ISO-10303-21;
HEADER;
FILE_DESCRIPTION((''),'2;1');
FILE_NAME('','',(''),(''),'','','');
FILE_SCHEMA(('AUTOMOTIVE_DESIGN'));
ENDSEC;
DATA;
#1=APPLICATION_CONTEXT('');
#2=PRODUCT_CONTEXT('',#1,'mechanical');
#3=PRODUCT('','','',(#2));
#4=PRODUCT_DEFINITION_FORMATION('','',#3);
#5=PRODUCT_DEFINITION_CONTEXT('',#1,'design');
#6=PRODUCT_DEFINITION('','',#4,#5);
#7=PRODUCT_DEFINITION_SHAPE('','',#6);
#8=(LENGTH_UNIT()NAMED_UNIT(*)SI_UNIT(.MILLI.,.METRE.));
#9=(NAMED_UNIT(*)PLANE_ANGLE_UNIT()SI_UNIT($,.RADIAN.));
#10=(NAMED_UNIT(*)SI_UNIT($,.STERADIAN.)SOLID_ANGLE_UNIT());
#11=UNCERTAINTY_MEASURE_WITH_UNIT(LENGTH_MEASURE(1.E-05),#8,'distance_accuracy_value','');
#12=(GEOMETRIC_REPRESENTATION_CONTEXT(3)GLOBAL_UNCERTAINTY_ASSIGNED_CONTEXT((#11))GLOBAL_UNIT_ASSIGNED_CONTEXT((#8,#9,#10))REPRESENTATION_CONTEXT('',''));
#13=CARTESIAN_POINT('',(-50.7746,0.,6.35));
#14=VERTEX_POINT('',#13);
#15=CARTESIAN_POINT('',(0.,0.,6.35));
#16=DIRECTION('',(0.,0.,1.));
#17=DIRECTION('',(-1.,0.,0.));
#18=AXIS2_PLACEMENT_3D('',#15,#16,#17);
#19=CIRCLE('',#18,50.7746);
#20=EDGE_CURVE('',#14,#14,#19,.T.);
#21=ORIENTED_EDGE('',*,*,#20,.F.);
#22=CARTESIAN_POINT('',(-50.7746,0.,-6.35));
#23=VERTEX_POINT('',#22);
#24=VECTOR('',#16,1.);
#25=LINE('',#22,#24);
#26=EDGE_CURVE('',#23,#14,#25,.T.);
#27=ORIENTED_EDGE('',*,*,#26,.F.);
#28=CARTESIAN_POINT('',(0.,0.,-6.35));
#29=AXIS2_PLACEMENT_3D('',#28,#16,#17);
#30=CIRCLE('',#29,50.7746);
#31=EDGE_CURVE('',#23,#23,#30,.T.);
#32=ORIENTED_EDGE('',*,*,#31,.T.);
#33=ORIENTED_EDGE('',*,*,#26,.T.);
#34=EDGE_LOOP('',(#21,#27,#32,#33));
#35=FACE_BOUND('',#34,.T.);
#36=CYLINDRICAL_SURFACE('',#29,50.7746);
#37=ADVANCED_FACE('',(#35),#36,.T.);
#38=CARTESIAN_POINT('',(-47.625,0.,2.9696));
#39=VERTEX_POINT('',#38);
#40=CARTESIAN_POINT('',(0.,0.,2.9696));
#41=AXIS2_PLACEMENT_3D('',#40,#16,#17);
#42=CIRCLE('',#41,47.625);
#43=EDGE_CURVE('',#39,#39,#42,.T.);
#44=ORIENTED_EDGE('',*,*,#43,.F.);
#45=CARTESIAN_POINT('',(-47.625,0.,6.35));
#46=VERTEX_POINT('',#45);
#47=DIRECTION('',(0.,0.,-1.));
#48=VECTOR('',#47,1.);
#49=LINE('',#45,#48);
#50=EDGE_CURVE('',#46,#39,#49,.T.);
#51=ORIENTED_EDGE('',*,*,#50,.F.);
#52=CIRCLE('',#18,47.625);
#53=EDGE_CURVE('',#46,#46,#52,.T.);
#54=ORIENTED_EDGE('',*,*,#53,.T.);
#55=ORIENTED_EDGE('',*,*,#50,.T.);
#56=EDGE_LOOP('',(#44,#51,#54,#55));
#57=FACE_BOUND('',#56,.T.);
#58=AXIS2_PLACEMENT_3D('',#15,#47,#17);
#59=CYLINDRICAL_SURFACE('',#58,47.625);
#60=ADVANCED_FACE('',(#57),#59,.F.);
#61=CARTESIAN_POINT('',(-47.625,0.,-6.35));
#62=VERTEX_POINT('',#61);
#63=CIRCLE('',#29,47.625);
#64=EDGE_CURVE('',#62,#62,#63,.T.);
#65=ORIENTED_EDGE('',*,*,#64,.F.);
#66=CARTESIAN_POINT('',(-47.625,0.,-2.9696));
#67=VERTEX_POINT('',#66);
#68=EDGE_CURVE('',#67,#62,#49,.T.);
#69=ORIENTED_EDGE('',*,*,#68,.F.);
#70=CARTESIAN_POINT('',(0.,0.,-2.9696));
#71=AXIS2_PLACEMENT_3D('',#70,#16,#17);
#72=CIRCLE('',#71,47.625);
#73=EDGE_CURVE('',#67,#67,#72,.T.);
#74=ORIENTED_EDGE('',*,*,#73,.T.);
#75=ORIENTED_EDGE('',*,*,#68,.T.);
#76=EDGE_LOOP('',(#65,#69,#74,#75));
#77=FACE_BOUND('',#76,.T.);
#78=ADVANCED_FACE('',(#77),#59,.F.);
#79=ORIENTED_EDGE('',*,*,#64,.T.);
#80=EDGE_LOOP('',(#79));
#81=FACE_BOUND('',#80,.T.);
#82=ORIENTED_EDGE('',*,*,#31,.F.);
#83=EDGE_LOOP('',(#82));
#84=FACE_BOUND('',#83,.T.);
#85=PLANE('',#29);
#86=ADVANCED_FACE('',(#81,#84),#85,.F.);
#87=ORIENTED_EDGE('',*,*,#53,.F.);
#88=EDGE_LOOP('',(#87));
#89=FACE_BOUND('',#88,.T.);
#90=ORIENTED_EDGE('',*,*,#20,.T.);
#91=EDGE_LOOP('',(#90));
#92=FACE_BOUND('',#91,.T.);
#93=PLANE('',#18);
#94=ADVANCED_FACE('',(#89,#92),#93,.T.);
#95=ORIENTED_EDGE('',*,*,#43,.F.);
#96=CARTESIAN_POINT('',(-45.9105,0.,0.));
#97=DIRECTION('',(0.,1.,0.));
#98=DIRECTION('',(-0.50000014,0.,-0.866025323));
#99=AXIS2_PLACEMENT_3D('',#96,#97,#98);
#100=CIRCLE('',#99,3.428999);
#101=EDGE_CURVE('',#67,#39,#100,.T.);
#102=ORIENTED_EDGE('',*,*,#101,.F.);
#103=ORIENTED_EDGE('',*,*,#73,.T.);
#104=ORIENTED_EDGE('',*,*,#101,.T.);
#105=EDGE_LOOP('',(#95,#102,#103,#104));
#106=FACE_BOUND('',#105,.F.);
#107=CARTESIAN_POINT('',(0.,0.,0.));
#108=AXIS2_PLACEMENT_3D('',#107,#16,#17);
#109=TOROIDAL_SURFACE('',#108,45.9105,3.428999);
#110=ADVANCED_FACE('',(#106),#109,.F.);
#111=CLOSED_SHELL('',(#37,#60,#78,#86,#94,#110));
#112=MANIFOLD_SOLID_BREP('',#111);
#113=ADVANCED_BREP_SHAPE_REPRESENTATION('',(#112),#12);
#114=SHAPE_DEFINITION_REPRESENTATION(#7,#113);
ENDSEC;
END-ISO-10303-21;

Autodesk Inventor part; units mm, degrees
ref_plane "YZ Plane" through (0, 0, 0) normal (1, 0, 0) x (0, 1, 0)
ref_plane "XZ Plane" through (0, 0, 0) normal (0, 1, 0) x (-1, 0, 0)
ref_plane "XY Plane" through (0, 0, 0) normal (0, 0, 1) x (1, 0, 0)
sketch "Sketch1" plane through (0, 0, 0) normal (0, 1, 0) x (-1, 0, 0)
  line L0 (50.7746, 6.35) -> (47.625, 6.35)
  line L1 (47.625, 6.35) -> (47.625, -6.35)
  line L2 (47.625, -6.35) -> (50.7746, -6.35)
  line L3 (50.7746, -6.35) -> (50.7746, 6.35)
  arc A0 (47.625, -2.9696) -> (47.625, 2.9696) centre (45.9105, 0) ccw
  line L4 (0, -8.89) -> (0, 8.89) projected
  point P0 (0, 0)
  point P1 (50.7746, 0)
  dimension "d1" = 47.625
  dimension "d2" = 3.1496
  dimension "d3" = 6.35
  dimension "d4" = 6.35
  dimension "d5" = 1.7145
  dimension "d6" = 3.429
revolve "Revolution1" add sketch "Sketch1" angle 360 about axis through (0, 0, -10) along (0, 0, 1) contours L3 L2 L1 A0 L0
properties part number "outer ring"
